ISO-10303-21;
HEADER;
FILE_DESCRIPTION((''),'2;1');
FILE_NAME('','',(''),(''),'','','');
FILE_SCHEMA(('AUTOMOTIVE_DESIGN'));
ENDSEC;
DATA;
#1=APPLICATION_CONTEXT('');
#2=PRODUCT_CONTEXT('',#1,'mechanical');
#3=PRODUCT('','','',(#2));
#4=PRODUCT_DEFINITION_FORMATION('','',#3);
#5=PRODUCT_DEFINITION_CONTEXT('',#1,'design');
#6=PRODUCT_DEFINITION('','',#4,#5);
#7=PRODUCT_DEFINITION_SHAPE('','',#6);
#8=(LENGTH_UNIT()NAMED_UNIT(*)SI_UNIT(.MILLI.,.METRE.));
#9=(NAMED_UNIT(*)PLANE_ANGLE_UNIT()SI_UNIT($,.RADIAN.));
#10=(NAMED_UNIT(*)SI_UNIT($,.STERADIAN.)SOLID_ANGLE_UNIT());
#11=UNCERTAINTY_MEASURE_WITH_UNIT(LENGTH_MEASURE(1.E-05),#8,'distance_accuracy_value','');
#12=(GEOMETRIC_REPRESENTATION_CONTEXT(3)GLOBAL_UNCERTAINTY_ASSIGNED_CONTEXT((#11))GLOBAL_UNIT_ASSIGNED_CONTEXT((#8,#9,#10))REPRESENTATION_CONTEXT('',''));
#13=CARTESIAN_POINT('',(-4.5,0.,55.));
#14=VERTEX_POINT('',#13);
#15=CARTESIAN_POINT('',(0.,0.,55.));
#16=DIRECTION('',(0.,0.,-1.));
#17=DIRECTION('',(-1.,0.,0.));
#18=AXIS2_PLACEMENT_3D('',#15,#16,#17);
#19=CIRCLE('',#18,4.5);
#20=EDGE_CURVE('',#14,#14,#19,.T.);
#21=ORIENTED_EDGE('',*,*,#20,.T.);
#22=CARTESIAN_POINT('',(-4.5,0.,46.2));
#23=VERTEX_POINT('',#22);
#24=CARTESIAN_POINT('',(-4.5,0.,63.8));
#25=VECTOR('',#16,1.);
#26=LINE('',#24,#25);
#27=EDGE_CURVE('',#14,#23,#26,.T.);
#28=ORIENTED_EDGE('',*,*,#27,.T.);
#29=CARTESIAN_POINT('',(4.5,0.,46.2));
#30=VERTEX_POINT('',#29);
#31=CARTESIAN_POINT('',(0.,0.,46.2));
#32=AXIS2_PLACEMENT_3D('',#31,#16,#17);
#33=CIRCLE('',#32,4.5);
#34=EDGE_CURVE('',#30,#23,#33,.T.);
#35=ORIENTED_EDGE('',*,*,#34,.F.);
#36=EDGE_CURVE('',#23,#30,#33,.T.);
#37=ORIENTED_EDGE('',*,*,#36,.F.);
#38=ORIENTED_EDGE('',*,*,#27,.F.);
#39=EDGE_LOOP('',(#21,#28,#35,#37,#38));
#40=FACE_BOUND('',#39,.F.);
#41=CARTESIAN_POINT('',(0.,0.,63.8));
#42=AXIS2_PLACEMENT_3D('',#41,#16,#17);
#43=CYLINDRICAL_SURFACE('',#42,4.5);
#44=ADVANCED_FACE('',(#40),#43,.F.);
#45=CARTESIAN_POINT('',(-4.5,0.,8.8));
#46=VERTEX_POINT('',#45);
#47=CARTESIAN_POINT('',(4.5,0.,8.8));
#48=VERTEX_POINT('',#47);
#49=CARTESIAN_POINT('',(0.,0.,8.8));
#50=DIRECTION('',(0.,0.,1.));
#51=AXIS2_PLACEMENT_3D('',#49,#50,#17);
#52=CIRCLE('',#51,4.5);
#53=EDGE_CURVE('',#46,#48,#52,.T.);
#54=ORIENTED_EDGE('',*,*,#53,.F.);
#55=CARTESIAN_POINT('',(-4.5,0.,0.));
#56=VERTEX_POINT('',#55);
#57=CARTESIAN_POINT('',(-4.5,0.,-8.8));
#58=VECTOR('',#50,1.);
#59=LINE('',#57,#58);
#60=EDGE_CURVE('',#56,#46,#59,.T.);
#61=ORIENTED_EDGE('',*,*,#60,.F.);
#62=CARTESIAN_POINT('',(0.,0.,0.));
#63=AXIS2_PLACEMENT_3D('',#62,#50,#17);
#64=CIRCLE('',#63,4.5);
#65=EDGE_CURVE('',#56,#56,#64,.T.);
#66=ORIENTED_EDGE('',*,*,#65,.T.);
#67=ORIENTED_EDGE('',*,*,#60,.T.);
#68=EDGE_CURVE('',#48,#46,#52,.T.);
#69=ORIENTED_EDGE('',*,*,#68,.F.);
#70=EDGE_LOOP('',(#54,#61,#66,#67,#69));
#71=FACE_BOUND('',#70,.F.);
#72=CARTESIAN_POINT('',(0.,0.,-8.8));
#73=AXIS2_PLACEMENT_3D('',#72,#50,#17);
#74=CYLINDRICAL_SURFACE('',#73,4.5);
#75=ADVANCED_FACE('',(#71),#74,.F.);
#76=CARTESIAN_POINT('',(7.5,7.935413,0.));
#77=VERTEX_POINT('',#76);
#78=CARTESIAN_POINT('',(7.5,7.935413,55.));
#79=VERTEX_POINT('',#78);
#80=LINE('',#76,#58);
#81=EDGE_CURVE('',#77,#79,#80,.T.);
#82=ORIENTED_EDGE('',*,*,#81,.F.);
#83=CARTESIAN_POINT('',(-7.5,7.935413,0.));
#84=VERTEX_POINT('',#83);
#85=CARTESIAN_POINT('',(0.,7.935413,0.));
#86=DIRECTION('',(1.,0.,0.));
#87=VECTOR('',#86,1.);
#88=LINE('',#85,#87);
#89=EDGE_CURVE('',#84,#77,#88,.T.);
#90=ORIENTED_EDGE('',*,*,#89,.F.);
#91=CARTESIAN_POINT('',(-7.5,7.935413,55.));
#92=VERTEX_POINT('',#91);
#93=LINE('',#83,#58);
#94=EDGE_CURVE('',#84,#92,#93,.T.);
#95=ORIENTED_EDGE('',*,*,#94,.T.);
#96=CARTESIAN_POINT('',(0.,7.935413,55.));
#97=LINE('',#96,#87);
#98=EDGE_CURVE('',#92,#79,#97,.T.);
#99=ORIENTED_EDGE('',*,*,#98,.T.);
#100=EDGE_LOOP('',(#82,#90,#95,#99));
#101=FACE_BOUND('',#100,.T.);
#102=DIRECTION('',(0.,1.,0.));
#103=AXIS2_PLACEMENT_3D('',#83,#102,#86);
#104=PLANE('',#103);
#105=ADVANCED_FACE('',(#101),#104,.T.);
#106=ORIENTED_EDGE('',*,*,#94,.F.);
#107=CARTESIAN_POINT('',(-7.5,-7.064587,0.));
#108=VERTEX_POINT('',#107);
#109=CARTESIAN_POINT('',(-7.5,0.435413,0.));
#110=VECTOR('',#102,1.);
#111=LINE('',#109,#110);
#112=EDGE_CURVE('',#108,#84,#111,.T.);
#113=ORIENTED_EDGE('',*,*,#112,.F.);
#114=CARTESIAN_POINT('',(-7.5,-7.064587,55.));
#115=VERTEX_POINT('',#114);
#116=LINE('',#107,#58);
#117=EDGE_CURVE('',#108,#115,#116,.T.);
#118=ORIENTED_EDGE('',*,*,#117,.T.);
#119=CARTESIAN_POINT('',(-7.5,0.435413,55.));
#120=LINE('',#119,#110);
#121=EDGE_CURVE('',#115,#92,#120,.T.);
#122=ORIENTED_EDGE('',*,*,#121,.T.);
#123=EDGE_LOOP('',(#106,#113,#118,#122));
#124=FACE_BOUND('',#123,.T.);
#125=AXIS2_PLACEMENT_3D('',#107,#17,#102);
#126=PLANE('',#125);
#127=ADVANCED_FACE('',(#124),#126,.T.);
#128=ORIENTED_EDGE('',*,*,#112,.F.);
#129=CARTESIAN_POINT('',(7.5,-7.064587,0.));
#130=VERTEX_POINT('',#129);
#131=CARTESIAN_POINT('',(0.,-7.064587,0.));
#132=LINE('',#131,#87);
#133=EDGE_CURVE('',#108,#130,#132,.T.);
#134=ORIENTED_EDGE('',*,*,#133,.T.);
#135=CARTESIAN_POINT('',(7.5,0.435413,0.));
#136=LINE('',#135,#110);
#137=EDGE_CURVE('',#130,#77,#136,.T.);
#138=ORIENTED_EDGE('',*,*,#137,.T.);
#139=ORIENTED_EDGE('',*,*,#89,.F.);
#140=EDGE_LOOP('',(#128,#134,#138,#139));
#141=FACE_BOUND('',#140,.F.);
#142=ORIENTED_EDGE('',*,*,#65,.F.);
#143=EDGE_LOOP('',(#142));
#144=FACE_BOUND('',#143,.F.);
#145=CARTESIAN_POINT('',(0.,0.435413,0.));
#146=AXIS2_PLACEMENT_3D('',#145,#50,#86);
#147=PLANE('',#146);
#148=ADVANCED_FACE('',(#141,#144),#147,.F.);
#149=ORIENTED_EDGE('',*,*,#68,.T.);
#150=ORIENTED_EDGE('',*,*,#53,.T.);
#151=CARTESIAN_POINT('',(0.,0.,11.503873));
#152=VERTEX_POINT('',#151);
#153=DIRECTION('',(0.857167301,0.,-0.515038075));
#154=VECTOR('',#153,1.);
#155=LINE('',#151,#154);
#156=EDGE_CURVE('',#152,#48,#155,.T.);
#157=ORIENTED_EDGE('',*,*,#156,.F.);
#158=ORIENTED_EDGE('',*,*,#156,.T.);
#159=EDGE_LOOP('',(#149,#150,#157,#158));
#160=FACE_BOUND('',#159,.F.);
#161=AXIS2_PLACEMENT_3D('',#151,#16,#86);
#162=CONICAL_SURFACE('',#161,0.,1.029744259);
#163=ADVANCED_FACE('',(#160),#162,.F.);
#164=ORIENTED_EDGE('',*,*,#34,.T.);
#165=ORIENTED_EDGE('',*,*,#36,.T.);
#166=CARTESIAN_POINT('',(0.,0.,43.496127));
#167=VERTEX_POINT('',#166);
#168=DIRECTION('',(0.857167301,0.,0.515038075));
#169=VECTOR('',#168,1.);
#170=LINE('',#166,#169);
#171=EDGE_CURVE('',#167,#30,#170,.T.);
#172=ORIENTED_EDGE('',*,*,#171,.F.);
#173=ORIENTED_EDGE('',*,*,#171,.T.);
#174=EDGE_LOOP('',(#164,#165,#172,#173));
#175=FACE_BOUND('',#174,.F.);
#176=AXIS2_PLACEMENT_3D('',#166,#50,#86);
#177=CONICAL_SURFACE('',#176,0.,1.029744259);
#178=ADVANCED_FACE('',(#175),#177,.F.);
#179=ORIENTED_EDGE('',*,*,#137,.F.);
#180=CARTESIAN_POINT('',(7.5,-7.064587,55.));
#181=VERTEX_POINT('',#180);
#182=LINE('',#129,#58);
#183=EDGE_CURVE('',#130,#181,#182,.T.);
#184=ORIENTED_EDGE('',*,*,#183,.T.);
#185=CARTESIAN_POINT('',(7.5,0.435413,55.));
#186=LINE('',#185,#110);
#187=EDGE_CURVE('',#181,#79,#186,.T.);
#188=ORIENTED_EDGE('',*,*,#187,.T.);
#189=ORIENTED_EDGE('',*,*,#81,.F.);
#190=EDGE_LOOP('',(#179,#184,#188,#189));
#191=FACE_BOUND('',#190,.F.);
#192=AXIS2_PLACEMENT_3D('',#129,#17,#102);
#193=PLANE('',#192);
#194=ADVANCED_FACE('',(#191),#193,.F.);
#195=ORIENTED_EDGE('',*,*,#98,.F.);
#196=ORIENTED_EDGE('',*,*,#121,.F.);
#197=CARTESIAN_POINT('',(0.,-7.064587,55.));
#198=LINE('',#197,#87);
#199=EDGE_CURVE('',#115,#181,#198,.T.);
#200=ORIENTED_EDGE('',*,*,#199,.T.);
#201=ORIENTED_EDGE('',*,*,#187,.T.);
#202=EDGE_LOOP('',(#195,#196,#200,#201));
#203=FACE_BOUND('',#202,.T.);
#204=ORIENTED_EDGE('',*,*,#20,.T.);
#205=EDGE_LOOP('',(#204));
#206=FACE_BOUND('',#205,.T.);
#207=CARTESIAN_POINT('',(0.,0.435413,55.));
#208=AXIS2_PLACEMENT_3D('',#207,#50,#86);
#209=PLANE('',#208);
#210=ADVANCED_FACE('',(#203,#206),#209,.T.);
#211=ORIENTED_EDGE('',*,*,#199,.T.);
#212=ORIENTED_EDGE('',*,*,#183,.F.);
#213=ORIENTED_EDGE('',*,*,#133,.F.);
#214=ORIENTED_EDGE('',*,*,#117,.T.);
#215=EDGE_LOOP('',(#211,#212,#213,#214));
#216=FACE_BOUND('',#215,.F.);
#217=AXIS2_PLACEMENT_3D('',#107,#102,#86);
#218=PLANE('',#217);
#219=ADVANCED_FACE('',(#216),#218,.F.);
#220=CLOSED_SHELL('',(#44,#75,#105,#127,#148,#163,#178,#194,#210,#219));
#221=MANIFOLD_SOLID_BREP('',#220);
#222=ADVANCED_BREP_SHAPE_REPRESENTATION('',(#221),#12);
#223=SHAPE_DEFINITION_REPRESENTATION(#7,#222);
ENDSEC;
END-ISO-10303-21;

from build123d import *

# Parameters (mm, degrees)
F0_W     = 15
F0_H     = 15
F1_DEPTH = 55
F4_D     = 9
F4_DEPTH = 8.8
F4_TIP   = 2.7038727856
F5_D     = 9
F5_DEPTH = 8.8
F5_TIP   = 2.7038727856


with BuildPart() as f1:
    # F0 (on Top) → F1 (new body)
    with BuildSketch(Plane.XY):
        with Locations((0, 0.4354127725)):
            Rectangle(F0_W, F0_H)
    extrude(amount=F1_DEPTH)

    # F4
    with Locations(Plane(origin=(0, 0, 0), x_dir=(1, 0, 0), z_dir=(0, 0, -1))):
        with Locations((0, 0)):
            Hole(F4_D / 2, depth=F4_DEPTH)
            with Locations((0, 0, -(F4_DEPTH + F4_TIP / 2))):  # 118° drill point
                Cone(0, F4_D / 2, F4_TIP, mode=Mode.SUBTRACT)

    # F5
    with Locations(Plane.XY.offset(55)):
        with Locations((0, 0)):
            Hole(F5_D / 2, depth=F5_DEPTH)
            with Locations((0, 0, -(F5_DEPTH + F5_TIP / 2))):  # 118° drill point
                Cone(0, F5_D / 2, F5_TIP, mode=Mode.SUBTRACT)


solid = f1.part
